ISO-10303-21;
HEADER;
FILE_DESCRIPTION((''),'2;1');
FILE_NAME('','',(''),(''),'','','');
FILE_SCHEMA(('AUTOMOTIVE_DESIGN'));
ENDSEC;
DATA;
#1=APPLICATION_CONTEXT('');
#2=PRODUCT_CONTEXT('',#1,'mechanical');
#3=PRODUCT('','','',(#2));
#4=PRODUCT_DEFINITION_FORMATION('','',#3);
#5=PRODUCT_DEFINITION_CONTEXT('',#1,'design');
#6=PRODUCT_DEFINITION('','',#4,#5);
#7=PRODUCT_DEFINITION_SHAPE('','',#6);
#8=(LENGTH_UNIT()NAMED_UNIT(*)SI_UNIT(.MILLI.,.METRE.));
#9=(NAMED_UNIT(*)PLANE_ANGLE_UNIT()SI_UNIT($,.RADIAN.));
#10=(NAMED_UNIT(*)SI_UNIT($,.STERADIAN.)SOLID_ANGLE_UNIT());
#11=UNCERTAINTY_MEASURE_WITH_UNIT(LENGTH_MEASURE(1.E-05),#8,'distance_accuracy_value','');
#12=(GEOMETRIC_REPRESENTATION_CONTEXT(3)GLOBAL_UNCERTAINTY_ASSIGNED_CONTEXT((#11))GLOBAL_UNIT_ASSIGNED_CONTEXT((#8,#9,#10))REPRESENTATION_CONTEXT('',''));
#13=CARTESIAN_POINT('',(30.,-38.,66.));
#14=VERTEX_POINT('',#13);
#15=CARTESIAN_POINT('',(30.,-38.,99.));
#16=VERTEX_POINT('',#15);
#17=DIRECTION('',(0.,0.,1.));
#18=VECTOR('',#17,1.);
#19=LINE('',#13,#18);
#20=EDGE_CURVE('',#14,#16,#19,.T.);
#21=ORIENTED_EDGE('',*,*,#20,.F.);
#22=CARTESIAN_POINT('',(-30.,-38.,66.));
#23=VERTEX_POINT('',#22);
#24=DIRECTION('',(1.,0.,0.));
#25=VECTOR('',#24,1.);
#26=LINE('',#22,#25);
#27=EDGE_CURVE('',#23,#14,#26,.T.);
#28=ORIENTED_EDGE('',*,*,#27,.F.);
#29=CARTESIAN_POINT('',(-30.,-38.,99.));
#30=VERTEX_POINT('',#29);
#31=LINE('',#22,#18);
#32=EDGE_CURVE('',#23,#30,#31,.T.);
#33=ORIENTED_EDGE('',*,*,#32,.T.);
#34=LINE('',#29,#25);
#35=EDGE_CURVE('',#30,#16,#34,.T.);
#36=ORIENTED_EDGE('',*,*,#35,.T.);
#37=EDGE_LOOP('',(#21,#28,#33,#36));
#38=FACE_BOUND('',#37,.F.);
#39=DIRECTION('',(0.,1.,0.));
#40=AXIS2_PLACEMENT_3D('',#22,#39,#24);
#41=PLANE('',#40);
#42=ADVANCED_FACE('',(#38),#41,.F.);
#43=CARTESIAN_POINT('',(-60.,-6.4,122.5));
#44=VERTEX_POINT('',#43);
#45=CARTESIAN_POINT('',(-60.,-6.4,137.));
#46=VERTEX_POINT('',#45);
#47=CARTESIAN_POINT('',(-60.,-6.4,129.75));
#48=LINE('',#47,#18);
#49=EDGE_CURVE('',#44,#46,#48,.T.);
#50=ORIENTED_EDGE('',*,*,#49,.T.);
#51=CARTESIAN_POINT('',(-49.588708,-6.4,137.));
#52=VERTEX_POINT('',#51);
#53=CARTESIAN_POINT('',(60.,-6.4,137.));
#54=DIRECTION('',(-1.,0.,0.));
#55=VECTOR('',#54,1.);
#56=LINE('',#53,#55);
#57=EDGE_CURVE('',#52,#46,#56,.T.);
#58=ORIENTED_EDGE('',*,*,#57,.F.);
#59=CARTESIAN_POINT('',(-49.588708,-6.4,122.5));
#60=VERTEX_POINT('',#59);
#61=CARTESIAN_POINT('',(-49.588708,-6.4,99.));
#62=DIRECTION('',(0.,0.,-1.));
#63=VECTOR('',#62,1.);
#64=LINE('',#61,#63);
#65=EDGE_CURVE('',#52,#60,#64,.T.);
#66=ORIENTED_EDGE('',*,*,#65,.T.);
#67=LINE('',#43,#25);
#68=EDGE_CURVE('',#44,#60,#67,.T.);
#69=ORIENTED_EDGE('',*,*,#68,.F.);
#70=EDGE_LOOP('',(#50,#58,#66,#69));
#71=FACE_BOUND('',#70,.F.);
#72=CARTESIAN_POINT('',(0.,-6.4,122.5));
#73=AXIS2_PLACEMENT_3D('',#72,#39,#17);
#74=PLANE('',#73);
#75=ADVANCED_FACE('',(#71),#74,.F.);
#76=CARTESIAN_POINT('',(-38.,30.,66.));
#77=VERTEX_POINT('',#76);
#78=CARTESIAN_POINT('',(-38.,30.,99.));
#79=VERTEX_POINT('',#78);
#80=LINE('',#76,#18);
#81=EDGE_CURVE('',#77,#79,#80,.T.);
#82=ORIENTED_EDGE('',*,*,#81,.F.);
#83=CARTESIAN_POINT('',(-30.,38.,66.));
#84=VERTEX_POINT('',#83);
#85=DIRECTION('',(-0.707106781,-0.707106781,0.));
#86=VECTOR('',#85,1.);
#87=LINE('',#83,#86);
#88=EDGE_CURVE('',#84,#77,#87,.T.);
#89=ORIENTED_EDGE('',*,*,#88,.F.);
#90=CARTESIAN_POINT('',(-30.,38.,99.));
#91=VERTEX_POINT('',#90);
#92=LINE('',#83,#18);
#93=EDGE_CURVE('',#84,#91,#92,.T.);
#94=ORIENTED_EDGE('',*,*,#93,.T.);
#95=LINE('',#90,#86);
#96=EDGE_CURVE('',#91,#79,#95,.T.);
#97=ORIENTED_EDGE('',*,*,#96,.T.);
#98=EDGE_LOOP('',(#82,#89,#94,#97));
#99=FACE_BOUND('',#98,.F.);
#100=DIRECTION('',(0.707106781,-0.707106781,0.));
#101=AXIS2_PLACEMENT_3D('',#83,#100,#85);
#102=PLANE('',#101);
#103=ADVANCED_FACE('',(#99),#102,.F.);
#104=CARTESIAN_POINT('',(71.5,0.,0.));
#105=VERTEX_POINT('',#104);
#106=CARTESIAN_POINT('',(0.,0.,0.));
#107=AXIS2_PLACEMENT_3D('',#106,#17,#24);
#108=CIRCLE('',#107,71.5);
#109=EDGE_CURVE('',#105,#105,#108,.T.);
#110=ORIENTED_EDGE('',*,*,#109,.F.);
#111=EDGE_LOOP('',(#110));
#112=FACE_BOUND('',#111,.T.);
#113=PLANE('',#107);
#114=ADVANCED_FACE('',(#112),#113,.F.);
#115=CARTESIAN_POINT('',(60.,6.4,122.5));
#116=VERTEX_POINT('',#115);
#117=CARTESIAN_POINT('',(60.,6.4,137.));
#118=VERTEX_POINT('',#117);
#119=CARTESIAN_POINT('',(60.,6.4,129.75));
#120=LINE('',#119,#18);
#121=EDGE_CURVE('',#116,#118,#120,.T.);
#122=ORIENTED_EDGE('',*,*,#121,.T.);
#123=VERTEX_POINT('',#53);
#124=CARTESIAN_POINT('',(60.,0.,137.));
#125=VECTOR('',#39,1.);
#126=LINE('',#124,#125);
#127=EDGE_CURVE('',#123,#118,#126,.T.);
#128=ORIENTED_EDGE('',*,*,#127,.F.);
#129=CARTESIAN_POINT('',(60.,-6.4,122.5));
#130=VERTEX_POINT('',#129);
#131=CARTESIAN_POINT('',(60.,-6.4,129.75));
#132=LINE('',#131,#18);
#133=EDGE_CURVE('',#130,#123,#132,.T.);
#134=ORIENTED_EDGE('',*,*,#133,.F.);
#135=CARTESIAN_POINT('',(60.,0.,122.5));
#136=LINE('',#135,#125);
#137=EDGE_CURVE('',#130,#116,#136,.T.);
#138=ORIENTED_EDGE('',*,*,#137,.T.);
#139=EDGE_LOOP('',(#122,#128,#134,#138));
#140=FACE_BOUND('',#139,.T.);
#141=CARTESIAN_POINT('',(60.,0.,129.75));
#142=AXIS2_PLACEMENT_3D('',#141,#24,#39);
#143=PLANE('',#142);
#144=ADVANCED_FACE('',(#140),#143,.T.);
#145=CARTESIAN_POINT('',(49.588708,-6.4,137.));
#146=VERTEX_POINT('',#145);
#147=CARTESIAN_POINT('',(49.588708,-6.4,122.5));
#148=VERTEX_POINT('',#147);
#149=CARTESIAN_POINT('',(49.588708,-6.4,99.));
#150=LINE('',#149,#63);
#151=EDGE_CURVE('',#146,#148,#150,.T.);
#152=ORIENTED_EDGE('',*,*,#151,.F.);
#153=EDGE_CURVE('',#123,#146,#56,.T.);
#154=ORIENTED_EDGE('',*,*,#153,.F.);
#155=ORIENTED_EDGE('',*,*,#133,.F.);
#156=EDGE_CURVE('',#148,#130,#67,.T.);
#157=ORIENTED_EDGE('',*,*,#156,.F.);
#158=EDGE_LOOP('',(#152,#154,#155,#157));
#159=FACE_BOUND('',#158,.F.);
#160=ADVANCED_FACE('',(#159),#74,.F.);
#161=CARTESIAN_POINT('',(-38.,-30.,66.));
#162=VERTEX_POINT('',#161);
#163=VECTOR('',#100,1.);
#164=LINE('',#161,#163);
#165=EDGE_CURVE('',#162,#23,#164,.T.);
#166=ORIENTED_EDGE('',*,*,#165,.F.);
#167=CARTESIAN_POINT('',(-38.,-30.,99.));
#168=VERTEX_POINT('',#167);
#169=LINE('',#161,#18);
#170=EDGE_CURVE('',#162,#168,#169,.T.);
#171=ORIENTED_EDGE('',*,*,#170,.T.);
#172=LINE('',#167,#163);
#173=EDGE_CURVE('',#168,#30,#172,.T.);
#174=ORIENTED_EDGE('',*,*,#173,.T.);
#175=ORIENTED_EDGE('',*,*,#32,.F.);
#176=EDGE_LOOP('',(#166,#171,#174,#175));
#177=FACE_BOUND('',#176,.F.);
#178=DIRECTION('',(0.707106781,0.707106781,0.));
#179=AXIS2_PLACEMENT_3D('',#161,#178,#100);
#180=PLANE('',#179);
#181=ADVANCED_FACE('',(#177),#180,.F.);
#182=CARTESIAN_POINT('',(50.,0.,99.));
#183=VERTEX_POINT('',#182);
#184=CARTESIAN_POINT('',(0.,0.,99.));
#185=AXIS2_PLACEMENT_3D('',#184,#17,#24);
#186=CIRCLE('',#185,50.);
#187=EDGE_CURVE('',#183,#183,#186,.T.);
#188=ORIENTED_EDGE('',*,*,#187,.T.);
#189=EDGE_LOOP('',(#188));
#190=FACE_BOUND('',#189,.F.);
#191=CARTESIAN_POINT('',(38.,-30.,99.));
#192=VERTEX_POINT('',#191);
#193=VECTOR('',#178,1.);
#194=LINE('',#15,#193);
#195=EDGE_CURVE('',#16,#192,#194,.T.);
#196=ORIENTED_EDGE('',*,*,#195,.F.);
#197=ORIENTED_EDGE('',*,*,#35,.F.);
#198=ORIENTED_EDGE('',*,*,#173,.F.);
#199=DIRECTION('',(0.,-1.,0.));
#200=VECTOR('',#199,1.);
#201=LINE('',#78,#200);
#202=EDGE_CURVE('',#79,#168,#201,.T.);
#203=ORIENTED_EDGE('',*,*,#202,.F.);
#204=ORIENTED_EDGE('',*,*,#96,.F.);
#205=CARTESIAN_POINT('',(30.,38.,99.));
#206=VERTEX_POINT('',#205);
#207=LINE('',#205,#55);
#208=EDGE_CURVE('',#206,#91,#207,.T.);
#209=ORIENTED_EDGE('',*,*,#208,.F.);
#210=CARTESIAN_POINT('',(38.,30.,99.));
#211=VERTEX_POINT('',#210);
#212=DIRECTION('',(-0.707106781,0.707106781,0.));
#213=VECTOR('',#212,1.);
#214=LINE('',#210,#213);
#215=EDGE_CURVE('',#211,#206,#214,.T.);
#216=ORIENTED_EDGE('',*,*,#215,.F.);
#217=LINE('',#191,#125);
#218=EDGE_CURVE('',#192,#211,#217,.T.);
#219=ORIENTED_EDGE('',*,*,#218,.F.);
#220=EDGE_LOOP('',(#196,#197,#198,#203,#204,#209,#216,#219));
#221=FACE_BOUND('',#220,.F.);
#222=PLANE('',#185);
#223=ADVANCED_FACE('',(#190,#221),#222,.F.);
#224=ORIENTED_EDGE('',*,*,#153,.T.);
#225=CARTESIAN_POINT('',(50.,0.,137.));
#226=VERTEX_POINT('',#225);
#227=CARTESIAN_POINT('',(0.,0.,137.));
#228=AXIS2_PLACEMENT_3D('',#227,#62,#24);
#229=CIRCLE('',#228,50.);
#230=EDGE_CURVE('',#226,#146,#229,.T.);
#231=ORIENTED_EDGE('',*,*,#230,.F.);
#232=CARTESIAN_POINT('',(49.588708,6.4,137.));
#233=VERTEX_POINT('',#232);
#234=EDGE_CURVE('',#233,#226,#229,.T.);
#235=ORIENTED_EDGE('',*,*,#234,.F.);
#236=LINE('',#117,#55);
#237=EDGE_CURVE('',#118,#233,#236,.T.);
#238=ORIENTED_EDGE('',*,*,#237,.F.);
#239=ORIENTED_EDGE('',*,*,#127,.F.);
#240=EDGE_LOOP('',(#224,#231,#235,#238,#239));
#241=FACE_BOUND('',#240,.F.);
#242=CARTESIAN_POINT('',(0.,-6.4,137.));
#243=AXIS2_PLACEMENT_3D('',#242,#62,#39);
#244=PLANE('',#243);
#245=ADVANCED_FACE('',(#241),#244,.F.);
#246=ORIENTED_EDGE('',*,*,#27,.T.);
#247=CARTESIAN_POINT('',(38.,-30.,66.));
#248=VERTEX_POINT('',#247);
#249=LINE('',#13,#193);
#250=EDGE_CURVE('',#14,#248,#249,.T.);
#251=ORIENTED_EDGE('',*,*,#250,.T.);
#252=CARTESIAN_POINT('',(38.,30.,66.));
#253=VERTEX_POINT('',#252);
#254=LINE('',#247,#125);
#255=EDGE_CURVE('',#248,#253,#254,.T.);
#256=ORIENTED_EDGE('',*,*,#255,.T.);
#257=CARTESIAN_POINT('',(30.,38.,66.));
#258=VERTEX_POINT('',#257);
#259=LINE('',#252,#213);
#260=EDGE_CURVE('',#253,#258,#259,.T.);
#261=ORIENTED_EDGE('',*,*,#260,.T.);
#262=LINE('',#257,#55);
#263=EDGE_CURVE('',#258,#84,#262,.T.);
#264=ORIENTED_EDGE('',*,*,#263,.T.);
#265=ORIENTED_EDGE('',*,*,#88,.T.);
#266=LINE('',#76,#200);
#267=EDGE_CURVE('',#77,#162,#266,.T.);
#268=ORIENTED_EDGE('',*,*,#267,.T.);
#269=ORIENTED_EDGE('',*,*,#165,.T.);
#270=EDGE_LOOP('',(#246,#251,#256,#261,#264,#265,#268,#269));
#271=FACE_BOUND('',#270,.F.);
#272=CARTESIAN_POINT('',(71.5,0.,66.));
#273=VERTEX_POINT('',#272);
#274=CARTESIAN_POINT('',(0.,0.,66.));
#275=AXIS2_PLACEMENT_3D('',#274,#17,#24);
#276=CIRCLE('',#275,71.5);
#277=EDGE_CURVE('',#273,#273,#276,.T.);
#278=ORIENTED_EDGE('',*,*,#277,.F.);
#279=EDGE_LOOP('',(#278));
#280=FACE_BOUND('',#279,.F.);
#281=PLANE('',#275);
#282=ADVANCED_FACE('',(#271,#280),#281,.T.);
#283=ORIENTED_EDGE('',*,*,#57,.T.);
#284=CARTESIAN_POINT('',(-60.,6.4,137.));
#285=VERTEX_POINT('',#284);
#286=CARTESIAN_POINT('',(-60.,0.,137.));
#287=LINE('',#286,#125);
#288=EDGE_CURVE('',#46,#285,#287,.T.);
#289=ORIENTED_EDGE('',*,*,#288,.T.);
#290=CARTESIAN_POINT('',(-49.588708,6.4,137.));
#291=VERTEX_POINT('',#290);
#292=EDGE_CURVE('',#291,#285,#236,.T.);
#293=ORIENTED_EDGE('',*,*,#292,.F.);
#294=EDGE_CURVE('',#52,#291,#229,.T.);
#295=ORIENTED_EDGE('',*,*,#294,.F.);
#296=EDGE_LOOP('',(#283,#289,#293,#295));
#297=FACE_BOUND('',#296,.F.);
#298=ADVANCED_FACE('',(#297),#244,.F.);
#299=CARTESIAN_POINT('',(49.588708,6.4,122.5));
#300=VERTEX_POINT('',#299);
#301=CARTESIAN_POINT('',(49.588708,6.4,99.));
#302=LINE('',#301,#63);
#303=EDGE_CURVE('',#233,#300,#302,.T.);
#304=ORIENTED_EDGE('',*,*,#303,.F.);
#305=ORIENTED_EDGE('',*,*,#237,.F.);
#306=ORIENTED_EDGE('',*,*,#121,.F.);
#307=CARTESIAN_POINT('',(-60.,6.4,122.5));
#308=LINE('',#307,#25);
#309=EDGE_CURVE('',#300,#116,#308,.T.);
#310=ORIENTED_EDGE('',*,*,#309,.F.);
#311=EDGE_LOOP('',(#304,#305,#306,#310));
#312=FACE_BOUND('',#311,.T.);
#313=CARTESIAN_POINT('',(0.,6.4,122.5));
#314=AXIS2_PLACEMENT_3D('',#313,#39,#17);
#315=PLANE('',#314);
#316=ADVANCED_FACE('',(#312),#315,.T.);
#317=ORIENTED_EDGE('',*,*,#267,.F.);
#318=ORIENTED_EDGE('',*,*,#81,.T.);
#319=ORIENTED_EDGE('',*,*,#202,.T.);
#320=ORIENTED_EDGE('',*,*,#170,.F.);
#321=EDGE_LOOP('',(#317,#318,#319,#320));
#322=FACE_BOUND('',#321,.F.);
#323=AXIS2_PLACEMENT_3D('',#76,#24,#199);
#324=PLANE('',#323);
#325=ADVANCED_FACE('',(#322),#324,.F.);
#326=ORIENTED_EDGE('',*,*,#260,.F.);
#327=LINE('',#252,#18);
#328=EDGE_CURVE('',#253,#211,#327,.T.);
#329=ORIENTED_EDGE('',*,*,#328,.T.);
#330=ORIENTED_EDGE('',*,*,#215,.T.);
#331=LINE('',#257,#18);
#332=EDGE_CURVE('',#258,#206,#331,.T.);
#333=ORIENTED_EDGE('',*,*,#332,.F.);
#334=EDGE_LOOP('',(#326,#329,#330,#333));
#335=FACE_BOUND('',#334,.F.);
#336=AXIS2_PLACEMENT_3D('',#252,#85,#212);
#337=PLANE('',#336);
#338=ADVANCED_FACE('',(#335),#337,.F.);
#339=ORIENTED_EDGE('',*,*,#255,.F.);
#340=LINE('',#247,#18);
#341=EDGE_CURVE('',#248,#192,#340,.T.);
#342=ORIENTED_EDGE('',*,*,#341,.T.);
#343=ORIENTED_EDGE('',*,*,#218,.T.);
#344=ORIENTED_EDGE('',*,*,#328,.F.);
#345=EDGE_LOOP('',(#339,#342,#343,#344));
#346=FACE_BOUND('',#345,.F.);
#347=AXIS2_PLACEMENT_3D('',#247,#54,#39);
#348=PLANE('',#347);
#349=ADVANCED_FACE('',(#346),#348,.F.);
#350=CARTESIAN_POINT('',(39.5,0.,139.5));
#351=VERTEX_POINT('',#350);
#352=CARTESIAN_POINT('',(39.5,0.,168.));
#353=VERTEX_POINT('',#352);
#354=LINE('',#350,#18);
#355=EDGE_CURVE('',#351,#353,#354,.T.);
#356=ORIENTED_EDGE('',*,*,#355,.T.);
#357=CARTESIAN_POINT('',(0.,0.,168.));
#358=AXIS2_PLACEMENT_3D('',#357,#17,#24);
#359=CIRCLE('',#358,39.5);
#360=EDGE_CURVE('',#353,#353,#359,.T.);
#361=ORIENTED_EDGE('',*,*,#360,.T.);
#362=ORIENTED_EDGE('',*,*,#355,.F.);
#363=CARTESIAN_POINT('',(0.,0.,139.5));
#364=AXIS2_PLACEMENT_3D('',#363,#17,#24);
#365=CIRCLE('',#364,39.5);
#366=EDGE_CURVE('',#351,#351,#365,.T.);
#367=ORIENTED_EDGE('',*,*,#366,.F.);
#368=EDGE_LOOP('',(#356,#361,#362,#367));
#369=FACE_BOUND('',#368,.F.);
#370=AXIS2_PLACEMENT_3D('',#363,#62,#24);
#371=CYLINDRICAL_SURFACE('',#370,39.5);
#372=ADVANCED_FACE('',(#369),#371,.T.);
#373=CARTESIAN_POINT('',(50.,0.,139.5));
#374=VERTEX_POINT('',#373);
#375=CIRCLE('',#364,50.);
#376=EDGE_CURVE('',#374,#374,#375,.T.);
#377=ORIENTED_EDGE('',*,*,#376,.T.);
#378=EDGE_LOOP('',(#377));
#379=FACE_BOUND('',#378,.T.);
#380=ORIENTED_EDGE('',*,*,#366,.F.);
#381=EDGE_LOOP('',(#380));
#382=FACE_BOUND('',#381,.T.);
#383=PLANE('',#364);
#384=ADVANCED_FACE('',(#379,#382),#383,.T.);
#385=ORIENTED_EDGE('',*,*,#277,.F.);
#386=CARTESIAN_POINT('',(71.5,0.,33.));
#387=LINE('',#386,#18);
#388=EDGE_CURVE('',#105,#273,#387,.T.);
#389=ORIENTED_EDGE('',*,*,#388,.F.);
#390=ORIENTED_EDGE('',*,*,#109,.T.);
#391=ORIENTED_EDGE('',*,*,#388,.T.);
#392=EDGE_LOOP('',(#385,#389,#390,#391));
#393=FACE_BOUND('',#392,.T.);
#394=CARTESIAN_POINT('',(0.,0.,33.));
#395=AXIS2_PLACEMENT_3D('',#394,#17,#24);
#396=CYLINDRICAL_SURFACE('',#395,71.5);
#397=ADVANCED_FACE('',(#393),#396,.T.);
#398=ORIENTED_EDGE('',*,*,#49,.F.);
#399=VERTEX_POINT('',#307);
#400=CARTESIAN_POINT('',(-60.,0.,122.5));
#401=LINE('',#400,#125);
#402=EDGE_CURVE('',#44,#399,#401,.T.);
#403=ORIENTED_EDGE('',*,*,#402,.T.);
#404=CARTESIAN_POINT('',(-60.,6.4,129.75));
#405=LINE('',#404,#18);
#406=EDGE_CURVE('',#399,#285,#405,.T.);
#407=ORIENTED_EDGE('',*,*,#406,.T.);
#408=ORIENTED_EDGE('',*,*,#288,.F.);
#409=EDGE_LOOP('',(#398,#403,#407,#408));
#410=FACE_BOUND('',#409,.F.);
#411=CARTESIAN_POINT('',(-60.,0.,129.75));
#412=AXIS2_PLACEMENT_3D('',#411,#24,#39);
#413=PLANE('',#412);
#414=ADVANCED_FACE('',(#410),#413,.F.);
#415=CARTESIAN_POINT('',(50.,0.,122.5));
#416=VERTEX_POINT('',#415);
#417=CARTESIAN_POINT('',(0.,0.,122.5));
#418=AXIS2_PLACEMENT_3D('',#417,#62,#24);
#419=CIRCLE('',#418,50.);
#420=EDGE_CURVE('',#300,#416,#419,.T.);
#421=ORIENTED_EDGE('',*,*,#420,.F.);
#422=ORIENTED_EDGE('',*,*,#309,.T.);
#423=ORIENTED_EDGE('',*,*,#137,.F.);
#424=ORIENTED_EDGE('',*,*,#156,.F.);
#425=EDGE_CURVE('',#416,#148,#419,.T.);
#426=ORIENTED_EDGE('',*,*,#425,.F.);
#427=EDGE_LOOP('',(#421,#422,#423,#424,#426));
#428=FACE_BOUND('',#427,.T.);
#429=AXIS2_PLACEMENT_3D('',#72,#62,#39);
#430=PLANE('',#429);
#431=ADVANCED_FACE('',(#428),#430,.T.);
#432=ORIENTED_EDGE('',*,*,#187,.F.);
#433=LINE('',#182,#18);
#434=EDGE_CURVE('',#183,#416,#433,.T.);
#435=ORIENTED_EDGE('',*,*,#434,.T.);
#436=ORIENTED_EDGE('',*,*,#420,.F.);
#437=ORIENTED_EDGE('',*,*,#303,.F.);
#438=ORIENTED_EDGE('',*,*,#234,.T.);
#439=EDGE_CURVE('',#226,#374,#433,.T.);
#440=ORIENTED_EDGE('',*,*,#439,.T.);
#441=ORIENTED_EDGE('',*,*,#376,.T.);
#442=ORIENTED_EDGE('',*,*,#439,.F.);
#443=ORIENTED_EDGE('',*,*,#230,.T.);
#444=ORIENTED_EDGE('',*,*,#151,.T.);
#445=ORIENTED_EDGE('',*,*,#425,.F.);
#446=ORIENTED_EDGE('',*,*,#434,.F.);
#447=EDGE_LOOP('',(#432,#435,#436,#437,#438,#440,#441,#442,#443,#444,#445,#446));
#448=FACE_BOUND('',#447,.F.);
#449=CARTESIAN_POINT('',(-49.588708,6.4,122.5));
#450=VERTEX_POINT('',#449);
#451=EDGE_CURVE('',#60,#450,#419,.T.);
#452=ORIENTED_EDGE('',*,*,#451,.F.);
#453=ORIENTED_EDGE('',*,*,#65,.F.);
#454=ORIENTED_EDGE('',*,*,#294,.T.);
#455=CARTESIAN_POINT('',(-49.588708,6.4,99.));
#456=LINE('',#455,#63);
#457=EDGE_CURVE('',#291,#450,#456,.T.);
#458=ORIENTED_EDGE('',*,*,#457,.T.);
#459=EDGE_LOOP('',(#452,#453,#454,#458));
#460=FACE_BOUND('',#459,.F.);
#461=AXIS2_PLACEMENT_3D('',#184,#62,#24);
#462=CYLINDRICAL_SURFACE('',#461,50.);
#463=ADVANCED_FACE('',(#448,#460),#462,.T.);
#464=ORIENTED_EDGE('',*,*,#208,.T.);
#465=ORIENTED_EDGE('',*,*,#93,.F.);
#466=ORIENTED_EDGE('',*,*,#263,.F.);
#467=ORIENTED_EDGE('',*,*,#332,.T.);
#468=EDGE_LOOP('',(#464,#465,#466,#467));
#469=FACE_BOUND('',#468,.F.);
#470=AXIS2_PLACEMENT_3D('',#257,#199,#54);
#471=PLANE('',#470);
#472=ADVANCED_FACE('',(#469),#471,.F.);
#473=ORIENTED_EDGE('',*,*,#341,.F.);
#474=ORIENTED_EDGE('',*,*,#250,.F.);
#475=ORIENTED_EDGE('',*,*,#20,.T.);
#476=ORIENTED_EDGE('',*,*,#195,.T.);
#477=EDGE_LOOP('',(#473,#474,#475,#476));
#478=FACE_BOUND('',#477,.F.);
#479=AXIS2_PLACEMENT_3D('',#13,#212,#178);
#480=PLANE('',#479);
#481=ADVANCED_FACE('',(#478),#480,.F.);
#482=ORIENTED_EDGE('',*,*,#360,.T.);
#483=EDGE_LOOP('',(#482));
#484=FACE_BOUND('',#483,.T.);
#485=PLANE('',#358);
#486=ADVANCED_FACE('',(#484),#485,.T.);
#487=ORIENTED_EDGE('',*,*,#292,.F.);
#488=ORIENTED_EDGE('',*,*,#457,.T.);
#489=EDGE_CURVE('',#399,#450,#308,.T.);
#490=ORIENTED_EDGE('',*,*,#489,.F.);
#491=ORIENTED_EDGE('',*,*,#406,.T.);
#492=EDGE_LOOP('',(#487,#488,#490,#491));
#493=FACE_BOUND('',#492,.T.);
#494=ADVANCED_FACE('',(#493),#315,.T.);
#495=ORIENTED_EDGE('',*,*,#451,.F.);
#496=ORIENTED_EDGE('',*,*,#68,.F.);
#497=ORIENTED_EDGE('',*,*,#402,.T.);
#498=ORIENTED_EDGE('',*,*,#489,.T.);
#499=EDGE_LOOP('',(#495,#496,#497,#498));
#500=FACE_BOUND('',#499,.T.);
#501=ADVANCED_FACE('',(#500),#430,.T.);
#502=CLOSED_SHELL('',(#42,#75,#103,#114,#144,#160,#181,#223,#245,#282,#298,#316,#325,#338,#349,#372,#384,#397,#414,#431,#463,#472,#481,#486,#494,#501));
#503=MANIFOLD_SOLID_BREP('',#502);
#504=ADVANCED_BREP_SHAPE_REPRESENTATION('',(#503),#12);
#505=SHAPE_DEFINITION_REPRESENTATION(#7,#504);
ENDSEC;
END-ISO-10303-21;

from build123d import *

# Parameters (mm, degrees)
F0_W     = 71.5
F0_H     = 66
F3_DEPTH = 33
F4_R     = 50
F5_DEPTH = 40.5
F6_R     = 39.5
F7_DEPTH = 28.5
F8_W     = 12.8
F8_H     = 14.5
F9_DEPTH = 60


with BuildPart() as f1:
    # F0 (on Front) → F1 (revolve)
    with BuildSketch(Plane.XZ):
        with Locations((35.75, 33)):
            Rectangle(F0_W, F0_H)
    revolve(axis=Axis((0, 0, 33), (0, 0, 1)))

    # F2 (on face) → F3 (join)
    with BuildSketch(Plane.XY.offset(66)):
        Polygon((38, 30), (30, 38), (-30, 38), (-38, 30), (-38, -30), (-30, -38), (30, -38), (38, -30), align=None)
    extrude(amount=F3_DEPTH)

    # F4 (on face) → F5 (join)
    with BuildSketch(Plane.XY.offset(99)):
        Circle(F4_R)
        Polygon((30, 38), (38, 30), (38, -30), (30, -38), (-30, -38), (-38, -30), (-38, 30), (-30, 38), align=None, mode=Mode.SUBTRACT)
        Polygon((38, -30), (38, 30), (30, 38), (-30, 38), (-38, 30), (-38, -30), (-30, -38), (30, -38), align=None)
    extrude(amount=F5_DEPTH)

    # F6 (on face) → F7 (join)
    with BuildSketch(Plane.XY.offset(139.5)):
        Circle(F6_R)
    extrude(amount=F7_DEPTH)

    # F8 (on Right) → F9 (join, symmetric)
    with BuildSketch(Plane.YZ):
        with Locations((0, 129.75)):
            Rectangle(F8_W, F8_H)
    extrude(amount=F9_DEPTH, both=True)


solid = f1.part
